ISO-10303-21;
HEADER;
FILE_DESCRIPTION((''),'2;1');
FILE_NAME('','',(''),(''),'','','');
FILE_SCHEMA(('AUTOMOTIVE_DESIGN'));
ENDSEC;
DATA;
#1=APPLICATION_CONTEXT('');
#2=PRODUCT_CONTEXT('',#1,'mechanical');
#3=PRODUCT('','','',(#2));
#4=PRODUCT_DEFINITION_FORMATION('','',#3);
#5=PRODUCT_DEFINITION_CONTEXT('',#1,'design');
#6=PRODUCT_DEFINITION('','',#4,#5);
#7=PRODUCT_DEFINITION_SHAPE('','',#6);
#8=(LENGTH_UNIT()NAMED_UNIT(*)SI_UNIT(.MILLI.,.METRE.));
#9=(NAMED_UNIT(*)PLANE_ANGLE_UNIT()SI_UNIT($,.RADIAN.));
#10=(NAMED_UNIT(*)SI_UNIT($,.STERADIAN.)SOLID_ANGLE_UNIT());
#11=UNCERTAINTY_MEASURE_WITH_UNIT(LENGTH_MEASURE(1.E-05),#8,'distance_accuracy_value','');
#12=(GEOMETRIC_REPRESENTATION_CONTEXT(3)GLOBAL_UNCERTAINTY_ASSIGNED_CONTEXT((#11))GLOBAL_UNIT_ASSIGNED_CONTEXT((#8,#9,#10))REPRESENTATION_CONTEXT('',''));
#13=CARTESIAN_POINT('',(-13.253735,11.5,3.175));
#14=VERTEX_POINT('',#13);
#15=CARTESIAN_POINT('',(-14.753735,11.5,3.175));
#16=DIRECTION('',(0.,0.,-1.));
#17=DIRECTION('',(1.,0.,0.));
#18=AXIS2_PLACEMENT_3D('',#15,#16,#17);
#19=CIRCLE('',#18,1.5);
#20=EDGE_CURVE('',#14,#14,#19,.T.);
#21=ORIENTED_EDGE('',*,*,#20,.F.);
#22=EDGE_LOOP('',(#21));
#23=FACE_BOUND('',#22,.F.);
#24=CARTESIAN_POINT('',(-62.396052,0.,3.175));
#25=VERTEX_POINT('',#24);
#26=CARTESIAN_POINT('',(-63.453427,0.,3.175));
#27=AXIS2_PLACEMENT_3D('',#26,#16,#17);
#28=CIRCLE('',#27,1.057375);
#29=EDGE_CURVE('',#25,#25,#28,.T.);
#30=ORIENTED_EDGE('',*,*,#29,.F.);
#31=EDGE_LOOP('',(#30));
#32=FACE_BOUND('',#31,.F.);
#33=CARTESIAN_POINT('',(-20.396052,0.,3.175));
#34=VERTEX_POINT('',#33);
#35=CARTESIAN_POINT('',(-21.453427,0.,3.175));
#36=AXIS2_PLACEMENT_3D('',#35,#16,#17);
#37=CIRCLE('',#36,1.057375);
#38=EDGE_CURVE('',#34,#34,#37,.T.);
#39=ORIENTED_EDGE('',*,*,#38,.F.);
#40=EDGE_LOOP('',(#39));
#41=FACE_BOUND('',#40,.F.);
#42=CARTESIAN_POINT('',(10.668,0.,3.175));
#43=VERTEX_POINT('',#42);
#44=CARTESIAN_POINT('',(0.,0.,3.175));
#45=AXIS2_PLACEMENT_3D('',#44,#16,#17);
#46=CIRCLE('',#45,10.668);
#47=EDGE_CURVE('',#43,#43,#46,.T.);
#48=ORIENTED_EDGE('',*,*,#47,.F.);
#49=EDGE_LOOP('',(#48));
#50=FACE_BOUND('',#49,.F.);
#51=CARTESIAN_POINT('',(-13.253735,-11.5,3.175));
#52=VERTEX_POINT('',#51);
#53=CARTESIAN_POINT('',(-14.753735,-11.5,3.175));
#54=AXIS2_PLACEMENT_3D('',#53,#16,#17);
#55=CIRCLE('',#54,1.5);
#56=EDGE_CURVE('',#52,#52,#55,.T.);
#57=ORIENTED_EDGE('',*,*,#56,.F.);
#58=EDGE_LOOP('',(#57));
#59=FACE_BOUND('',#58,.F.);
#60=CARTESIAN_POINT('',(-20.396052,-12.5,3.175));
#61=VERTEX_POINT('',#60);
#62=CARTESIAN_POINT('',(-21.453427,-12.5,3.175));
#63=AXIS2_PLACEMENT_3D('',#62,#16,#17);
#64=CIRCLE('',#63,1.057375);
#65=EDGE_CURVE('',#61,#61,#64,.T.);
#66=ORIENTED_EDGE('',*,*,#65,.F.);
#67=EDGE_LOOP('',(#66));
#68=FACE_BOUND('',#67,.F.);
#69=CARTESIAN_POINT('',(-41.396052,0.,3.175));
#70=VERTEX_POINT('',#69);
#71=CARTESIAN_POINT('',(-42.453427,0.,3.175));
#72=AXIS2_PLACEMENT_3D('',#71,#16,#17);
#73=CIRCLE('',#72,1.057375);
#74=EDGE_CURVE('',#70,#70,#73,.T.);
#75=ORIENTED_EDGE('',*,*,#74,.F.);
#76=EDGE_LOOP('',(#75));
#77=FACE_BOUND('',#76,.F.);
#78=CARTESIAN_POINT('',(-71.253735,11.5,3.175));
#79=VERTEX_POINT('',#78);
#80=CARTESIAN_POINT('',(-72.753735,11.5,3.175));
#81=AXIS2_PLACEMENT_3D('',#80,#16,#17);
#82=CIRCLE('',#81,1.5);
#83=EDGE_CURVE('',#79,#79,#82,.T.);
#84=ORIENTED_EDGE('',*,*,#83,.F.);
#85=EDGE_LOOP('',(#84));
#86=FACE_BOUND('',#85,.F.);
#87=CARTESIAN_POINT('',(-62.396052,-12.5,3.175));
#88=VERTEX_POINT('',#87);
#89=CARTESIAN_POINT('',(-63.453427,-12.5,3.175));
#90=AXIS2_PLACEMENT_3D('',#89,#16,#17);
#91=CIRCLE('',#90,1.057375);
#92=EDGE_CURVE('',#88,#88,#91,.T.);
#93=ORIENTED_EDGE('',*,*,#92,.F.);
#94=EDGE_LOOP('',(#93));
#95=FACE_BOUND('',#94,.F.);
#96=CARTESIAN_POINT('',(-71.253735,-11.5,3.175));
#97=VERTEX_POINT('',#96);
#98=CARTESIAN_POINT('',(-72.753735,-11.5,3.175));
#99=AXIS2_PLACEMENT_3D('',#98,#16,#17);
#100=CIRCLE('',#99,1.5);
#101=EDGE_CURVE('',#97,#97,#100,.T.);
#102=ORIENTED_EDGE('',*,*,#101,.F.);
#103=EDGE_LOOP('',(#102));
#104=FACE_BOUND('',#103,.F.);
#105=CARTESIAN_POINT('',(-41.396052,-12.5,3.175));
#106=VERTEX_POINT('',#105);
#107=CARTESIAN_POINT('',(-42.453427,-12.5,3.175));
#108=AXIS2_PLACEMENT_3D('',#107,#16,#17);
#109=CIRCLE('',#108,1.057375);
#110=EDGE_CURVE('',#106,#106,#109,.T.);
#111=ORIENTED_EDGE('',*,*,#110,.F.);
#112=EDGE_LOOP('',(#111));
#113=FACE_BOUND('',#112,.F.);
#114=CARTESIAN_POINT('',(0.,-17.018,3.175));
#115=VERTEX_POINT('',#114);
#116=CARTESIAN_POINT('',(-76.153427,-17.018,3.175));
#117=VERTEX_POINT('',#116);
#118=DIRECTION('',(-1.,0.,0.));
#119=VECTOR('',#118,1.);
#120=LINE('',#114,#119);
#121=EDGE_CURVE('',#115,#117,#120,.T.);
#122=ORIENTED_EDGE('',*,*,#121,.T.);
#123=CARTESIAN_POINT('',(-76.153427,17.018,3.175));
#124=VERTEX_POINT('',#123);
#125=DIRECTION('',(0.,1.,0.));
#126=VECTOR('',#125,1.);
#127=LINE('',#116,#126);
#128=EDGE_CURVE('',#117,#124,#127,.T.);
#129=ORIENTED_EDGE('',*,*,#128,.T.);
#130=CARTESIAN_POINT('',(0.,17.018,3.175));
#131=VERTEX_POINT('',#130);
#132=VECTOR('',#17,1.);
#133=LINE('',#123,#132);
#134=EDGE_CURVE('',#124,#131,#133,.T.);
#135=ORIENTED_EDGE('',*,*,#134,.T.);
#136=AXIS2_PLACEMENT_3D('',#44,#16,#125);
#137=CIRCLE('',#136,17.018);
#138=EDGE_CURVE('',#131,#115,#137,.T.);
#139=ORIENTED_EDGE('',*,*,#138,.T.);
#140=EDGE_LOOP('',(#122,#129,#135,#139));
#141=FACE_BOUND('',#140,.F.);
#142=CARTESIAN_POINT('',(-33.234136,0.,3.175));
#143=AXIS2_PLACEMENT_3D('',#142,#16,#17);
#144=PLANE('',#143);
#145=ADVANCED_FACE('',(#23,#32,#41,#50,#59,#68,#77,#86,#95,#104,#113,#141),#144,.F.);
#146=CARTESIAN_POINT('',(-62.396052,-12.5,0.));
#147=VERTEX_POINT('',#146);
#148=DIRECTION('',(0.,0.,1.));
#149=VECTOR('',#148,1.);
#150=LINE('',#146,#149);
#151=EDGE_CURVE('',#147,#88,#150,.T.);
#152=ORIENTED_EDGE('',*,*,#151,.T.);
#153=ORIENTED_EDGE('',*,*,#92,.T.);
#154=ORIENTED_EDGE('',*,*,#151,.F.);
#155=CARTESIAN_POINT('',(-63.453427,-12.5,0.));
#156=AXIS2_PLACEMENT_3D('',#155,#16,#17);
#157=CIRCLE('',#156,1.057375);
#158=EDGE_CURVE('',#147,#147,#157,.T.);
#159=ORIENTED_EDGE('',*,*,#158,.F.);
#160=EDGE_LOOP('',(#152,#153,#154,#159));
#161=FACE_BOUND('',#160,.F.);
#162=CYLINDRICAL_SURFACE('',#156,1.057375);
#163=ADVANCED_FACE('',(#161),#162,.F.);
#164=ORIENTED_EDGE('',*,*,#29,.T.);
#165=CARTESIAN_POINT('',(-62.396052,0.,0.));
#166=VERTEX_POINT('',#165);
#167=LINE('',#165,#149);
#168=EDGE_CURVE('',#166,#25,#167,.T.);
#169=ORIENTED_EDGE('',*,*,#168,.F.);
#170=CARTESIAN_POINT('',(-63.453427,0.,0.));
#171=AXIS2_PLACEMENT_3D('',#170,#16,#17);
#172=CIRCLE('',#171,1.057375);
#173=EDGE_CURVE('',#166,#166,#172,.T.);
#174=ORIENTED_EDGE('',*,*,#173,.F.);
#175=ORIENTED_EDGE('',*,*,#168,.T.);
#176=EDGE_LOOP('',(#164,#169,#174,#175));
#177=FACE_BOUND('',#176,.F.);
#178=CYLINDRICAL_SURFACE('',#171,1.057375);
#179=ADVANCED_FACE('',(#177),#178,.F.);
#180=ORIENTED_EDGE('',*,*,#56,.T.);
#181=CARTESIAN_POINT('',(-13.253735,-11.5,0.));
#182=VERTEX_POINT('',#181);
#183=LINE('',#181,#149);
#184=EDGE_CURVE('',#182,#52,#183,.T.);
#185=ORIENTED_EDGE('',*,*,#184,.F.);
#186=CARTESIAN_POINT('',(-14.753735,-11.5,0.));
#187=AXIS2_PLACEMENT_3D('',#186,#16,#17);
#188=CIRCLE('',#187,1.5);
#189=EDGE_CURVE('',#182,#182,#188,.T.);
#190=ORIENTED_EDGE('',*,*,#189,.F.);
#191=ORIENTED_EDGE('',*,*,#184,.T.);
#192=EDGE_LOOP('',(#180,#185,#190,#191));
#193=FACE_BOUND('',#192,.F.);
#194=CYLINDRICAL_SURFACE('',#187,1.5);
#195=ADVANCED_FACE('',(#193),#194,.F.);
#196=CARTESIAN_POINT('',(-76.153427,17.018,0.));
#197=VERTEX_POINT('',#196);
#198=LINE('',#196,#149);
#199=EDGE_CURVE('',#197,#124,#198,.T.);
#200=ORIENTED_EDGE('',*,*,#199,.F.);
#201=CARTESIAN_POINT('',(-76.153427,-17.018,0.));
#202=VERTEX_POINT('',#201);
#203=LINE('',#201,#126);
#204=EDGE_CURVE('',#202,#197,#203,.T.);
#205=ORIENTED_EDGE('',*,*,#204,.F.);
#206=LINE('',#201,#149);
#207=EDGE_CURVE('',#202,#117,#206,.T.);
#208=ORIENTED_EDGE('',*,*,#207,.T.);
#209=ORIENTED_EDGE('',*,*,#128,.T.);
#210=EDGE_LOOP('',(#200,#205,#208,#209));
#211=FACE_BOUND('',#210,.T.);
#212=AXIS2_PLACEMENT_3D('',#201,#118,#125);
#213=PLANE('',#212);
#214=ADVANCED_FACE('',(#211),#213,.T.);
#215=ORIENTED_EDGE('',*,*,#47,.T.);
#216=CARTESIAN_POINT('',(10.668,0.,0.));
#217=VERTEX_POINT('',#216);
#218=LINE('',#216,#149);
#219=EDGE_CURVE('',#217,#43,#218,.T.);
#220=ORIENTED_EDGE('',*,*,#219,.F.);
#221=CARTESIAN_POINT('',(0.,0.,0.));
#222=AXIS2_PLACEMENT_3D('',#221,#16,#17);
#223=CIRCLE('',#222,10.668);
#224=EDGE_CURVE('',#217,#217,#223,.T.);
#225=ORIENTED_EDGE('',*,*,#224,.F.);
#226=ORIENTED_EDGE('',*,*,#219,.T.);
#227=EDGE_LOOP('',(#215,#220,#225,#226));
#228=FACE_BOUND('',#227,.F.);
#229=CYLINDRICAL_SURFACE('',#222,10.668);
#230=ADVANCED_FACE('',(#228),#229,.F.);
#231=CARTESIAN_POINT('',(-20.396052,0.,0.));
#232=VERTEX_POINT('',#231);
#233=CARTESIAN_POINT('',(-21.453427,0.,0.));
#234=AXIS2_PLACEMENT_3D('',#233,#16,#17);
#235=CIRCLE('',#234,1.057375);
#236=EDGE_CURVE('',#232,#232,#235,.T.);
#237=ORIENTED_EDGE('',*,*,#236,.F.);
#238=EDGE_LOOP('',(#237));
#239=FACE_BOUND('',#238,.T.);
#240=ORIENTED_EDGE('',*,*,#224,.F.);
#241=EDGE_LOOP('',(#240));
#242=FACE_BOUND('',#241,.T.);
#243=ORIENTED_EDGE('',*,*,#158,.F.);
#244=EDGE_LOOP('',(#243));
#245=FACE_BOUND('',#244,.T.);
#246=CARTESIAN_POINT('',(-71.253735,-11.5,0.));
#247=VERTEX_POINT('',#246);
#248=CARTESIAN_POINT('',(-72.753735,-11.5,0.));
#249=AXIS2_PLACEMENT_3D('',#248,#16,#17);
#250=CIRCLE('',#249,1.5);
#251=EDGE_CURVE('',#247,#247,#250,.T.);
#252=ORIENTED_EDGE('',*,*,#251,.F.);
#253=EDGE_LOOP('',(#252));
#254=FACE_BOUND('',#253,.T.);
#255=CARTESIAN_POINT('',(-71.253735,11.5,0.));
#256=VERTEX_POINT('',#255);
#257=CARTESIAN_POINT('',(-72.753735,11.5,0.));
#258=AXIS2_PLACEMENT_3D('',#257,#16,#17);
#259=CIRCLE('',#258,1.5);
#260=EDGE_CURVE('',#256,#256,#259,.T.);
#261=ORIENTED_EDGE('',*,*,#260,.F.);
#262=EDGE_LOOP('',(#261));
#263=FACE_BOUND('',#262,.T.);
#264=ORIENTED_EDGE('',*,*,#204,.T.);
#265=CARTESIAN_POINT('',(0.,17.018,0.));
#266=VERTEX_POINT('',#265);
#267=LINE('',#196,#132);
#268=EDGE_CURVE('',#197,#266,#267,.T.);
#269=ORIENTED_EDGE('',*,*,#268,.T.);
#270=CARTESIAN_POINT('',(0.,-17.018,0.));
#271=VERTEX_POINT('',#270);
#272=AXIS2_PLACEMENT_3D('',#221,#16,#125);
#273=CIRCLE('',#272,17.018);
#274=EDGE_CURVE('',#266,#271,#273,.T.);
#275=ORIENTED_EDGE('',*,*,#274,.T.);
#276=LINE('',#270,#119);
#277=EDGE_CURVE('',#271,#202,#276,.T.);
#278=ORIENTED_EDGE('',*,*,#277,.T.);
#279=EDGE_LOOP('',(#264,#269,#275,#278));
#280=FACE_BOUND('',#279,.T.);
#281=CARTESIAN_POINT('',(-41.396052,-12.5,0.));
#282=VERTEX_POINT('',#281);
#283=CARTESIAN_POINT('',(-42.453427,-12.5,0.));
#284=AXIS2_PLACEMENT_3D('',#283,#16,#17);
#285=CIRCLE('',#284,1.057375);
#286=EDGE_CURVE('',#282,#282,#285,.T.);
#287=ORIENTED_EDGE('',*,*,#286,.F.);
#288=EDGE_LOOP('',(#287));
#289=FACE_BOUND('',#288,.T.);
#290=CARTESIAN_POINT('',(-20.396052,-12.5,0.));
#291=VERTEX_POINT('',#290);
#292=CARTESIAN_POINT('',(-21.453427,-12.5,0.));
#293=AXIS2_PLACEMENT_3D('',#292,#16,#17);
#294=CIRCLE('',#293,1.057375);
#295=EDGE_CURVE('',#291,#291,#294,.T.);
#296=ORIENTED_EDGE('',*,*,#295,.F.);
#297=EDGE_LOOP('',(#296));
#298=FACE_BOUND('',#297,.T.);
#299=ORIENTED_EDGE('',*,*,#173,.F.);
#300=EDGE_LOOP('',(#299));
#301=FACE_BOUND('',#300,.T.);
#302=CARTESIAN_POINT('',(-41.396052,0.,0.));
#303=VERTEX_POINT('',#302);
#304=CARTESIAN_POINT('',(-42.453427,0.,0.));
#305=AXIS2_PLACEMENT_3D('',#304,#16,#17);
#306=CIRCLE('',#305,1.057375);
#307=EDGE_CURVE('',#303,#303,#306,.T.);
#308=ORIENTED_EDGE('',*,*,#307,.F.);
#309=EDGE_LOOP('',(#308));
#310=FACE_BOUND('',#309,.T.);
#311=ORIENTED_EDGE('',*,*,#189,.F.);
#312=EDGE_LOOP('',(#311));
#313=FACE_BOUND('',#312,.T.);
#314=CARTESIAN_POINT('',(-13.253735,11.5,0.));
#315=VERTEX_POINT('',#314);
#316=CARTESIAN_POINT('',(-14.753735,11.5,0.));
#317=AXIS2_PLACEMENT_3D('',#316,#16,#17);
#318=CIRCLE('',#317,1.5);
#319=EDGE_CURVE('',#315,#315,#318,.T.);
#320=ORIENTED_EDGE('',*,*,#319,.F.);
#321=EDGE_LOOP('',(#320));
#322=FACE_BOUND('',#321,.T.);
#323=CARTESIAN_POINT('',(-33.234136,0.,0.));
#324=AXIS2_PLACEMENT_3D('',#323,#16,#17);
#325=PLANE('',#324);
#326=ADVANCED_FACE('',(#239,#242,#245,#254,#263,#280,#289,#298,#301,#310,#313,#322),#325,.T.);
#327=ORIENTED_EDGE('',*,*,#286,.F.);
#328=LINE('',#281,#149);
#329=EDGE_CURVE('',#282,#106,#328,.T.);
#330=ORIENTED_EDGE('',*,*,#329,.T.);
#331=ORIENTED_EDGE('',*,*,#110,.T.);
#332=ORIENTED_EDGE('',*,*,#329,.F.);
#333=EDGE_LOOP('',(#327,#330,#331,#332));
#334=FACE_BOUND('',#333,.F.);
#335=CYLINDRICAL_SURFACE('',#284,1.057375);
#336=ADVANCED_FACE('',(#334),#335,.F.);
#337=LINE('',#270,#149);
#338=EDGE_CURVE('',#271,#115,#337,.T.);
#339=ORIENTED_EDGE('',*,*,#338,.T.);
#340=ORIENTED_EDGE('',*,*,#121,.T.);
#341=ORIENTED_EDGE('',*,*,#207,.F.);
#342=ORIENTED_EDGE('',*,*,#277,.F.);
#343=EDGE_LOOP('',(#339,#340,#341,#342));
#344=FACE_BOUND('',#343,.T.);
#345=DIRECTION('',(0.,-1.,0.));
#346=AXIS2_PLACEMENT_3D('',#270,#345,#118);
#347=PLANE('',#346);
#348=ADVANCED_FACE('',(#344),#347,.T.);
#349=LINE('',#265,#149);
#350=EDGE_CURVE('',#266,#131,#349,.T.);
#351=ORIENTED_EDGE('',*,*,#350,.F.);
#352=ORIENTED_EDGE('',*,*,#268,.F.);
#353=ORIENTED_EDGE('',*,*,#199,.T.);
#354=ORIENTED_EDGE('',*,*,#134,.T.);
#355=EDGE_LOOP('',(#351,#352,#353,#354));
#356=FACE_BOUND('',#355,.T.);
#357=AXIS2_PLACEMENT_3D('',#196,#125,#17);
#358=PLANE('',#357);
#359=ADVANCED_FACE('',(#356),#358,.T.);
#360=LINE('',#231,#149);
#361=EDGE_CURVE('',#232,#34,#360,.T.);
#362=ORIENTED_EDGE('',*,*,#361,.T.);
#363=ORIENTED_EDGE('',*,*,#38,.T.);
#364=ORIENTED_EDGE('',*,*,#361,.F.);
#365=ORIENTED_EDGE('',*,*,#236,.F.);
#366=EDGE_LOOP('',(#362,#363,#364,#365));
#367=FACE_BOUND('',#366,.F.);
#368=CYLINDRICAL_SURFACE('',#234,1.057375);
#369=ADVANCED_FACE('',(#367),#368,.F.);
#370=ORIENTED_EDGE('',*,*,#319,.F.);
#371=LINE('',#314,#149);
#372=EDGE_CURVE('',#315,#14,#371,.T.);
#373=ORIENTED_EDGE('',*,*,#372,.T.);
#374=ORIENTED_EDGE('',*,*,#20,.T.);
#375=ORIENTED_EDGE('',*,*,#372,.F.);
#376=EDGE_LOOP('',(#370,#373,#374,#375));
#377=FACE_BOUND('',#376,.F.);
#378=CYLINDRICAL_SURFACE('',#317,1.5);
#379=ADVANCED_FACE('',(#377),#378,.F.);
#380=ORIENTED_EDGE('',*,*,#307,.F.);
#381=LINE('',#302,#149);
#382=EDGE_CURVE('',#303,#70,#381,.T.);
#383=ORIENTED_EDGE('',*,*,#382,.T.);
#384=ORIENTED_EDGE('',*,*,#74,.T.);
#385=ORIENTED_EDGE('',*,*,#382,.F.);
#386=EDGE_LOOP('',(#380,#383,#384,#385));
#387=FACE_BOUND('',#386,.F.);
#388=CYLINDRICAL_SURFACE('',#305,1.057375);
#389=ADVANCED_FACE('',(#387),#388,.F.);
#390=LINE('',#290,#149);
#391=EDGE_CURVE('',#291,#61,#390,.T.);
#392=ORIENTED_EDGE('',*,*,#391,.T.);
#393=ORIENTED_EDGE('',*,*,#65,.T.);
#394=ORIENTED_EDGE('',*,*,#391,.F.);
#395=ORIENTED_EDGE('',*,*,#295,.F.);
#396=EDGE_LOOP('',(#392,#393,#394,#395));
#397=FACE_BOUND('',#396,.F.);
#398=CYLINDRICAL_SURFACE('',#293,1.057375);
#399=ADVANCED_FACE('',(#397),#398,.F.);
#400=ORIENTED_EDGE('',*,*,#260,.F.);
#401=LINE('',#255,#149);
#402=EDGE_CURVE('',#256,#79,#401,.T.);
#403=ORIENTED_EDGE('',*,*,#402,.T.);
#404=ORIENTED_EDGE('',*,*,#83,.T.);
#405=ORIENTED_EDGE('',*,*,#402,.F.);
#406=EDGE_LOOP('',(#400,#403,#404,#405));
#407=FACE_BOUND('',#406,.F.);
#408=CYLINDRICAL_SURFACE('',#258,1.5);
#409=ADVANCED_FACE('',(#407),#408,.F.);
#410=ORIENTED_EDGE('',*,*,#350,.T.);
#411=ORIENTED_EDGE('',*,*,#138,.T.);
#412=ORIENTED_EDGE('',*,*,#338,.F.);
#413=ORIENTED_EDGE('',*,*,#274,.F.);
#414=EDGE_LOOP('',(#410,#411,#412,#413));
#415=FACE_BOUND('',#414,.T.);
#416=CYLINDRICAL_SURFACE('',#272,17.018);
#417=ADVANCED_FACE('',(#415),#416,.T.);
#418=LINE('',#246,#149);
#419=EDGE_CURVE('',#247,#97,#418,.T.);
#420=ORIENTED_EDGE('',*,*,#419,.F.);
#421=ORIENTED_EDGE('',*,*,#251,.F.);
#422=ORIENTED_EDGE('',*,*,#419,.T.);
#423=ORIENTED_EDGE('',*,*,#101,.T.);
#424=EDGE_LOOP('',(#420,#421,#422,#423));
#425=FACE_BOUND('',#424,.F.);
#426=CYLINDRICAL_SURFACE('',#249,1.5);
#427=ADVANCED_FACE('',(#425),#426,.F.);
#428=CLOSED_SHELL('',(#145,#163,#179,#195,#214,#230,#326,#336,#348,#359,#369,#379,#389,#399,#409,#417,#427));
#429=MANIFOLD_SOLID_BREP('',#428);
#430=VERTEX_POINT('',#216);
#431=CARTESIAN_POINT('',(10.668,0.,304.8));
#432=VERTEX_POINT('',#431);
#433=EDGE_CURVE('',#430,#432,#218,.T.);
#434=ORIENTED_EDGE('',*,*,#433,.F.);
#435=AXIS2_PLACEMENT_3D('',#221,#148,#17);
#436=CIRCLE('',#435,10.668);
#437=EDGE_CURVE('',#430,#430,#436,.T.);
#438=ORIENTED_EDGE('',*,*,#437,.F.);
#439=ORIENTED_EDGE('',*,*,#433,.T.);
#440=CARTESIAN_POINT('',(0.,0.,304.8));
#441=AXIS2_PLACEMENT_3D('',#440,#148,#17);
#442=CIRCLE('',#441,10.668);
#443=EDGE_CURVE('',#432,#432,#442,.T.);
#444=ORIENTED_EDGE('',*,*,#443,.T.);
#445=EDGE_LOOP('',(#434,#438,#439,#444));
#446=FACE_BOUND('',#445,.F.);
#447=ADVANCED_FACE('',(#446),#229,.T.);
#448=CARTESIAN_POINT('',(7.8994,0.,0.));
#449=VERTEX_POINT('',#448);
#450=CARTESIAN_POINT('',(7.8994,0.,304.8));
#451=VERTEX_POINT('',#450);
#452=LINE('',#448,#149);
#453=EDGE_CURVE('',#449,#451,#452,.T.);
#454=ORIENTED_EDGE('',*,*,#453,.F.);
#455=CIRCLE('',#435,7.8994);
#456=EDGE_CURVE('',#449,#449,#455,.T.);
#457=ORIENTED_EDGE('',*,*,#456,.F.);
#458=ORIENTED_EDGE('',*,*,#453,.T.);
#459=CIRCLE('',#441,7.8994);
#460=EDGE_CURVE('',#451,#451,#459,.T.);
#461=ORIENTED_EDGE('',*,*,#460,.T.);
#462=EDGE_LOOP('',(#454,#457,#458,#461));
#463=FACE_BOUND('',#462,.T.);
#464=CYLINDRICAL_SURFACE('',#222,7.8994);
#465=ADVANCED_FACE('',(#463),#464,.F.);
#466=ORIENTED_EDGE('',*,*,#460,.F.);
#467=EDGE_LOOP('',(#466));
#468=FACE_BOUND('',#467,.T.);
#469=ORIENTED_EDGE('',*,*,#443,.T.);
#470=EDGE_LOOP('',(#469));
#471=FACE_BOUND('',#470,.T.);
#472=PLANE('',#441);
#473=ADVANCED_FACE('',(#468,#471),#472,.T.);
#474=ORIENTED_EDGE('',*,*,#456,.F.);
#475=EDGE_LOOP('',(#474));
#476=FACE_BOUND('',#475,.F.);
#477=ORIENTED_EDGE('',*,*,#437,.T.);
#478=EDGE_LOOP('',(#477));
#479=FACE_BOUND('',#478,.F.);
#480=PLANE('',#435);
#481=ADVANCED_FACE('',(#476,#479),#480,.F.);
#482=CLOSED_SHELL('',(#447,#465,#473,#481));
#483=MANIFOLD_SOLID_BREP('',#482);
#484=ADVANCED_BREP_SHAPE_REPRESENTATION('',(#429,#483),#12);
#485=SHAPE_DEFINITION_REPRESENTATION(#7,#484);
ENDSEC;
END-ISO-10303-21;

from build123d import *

# Parameters (mm, degrees)
F0_R     = 10.668
F0_R_2   = 7.8994
F1_DEPTH = 304.8
F2_R     = 10.668
F3_DEPTH = 3.175
F4_R     = 1.057375
F5_DEPTH = 3.175
F6_R     = 1.5
F7_DEPTH = 3.175


with BuildPart() as f1:
    # F0 (on Top) → F1 (new body)
    with BuildSketch(Plane.XY):
        Circle(F0_R)
        Circle(F0_R_2, mode=Mode.SUBTRACT)
    extrude(amount=F1_DEPTH)


with BuildPart() as f3:
    # F2 (on face) → F3 (new body)
    with BuildSketch(Plane(origin=(0, 0, 0), x_dir=(1, 0, 0), z_dir=(0, 0, -1))):
        with BuildLine():
            Line((-76.153427, -17.018), (0, -17.018))
            ThreePointArc((0, -17.018), (17.018, 0), (0, 17.018))
            Line((0, 17.018), (-76.153427, 17.018))
            Line((-76.153427, 17.018), (-76.153427, -17.018))
        make_face()
        Circle(F2_R, mode=Mode.SUBTRACT)
    extrude(amount=-F3_DEPTH)

    # F4 (on face) → F5 (cut, through all)
    with BuildSketch(Plane(origin=(0, 0, 0), x_dir=(1, 0, 0), z_dir=(0, 0, -1))):
        with Locations((-63.453427, 0)):
            Circle(F4_R)
        with Locations((-63.453427, 12.5)):
            Circle(F4_R)
        with Locations((-42.453427, 0)):
            Circle(F4_R)
        with Locations((-42.453427, 12.5)):
            Circle(F4_R)
        with Locations((-21.453427, 0)):
            Circle(F4_R)
        with Locations((-21.453427, 12.5)):
            Circle(F4_R)
    extrude(amount=-F5_DEPTH, mode=Mode.SUBTRACT)

    # F6 (on face) → F7 (cut, through all)
    with BuildSketch(Plane(origin=(0, 0, 0), x_dir=(1, 0, 0), z_dir=(0, 0, -1))):
        with Locations((-72.753735, 11.5)):
            Circle(F6_R)
        with Locations((-72.753735, -11.5)):
            Circle(F6_R)
        with Locations((-14.753735, 11.5)):
            Circle(F6_R)
        with Locations((-14.753735, -11.5)):
            Circle(F6_R)
    extrude(amount=-F7_DEPTH, mode=Mode.SUBTRACT)


solid = Compound([f1.part, f3.part])
